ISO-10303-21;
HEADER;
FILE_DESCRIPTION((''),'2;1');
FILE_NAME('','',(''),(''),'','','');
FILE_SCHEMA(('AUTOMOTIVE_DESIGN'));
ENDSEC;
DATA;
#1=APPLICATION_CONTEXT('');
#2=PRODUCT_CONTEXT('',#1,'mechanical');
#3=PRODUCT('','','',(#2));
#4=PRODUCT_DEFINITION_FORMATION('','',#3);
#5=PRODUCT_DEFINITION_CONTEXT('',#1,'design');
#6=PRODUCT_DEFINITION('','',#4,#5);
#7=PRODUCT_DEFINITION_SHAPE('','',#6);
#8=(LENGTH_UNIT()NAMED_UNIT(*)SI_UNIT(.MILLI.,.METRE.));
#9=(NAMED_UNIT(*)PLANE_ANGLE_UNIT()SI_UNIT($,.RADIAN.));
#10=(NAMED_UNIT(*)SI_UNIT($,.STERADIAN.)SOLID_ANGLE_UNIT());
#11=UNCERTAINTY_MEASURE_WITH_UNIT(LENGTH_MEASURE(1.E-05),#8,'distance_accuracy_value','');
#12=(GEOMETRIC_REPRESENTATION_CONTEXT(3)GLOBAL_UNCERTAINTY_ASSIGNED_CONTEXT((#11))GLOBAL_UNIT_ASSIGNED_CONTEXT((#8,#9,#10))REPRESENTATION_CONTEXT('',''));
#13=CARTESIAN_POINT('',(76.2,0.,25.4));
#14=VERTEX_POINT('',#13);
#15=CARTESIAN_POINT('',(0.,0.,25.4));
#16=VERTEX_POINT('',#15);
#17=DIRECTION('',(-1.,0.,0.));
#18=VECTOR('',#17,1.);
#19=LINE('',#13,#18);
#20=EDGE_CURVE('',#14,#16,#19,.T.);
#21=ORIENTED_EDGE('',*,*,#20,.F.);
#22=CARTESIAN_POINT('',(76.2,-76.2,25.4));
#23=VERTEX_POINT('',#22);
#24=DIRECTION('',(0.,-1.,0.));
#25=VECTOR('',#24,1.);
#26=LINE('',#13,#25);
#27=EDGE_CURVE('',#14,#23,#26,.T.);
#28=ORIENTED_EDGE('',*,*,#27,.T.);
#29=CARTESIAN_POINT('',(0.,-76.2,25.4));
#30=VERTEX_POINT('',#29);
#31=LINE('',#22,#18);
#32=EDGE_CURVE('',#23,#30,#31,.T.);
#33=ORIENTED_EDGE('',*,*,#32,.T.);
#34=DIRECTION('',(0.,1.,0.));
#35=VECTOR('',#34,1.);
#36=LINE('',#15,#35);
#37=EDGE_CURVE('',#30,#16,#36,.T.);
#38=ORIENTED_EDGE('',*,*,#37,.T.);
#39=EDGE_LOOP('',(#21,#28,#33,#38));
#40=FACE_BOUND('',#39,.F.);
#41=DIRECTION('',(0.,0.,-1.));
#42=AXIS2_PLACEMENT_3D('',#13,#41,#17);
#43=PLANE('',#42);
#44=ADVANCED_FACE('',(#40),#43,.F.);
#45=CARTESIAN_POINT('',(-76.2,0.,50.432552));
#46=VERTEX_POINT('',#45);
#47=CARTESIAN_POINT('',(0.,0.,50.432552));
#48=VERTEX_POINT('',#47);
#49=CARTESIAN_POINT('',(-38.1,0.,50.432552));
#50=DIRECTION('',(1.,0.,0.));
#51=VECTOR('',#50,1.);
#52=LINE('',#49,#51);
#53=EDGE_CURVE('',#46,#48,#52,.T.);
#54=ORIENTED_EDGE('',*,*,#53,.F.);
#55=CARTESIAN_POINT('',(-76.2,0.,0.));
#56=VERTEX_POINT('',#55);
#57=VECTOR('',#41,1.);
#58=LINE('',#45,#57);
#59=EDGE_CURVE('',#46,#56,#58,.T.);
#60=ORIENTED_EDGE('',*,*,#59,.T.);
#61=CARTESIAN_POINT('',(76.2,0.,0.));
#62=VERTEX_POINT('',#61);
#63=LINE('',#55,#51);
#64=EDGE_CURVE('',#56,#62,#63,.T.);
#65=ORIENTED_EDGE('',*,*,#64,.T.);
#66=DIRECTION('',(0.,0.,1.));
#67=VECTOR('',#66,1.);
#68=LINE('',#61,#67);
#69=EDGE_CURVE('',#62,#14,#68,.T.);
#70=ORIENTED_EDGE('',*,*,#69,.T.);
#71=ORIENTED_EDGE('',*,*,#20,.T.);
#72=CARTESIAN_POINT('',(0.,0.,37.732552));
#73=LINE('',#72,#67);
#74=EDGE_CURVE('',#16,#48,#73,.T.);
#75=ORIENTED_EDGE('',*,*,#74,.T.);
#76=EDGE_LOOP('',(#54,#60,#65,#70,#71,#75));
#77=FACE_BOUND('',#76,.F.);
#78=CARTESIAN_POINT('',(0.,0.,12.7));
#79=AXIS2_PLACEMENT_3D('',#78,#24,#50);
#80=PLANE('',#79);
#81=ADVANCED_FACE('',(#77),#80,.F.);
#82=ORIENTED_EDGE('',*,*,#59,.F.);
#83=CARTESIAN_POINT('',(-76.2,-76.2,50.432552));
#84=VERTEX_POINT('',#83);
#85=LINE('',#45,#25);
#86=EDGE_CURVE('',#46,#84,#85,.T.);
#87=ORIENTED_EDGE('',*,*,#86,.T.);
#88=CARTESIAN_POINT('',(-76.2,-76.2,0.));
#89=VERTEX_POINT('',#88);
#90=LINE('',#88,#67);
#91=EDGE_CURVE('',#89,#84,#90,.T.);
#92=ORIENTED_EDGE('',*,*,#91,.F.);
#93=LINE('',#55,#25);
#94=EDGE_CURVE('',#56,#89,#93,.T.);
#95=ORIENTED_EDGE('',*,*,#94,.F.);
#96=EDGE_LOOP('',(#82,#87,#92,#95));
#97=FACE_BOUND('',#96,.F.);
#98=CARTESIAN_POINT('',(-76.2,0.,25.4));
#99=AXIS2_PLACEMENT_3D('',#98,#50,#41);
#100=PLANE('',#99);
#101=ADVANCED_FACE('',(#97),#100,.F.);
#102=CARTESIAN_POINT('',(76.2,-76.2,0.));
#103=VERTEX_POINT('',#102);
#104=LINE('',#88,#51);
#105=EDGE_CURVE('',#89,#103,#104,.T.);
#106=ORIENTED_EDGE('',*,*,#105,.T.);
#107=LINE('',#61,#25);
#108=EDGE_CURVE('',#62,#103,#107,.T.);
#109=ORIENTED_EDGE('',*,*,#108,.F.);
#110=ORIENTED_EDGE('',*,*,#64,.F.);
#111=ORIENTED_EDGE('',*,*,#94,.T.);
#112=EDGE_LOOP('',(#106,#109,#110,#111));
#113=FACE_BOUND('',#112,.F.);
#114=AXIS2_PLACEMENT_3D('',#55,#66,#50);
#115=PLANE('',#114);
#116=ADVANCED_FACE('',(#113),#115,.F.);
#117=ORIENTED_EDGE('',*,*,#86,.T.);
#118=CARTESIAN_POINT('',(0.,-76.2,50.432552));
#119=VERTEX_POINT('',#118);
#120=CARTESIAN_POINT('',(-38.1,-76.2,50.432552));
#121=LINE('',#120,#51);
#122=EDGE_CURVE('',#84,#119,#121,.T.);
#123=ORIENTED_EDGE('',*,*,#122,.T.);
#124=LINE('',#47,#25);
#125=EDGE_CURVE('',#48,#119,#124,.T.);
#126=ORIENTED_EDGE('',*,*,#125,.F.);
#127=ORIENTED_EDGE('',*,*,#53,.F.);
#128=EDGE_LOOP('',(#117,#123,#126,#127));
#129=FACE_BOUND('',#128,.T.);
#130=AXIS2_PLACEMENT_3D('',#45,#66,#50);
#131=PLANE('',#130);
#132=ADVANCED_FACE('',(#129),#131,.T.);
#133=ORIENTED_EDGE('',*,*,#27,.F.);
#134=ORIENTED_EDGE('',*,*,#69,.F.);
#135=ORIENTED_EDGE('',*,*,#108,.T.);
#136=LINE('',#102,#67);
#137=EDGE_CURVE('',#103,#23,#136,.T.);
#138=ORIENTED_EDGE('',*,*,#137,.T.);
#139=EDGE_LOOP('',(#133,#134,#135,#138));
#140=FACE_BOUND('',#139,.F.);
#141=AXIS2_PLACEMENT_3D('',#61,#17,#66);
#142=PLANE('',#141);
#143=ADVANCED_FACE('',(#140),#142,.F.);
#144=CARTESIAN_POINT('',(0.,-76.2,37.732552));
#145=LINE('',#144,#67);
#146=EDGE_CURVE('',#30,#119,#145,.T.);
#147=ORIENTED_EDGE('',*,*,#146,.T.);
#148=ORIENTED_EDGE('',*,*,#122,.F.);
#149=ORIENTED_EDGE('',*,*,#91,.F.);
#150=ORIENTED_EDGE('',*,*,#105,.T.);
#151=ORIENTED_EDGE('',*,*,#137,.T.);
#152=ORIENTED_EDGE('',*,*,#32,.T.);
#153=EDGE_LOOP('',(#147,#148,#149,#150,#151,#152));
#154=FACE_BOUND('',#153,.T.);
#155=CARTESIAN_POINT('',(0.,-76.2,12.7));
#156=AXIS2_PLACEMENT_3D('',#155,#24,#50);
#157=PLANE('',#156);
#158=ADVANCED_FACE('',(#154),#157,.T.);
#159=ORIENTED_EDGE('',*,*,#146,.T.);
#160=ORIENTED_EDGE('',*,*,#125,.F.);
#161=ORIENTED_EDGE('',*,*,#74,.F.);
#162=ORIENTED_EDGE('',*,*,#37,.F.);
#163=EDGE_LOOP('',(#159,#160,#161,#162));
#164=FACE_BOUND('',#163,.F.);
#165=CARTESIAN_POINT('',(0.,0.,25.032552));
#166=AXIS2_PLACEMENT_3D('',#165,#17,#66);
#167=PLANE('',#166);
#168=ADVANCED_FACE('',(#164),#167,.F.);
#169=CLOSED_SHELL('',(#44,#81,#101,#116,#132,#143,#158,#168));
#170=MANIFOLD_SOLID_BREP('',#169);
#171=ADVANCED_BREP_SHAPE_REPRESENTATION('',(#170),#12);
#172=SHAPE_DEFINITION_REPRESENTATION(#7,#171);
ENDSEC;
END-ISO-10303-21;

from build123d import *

# Parameters (mm, degrees)
F1_DEPTH = 76.2
F2_W     = 76.2
F2_H     = 25.4
F3_DEPTH = 76.2


with BuildPart() as f1:
    # F0 (on Front) → F1 (new body)
    with BuildSketch(Plane.XZ):
        Polygon((-76.2, 25.4), (-76.2, 0), (76.2, 0), (76.2, 25.4), (0, 25.4), align=None)
    extrude(amount=F1_DEPTH)

    # F2 (on Front) → F3 (join)
    with BuildSketch(Plane.XZ):
        with Locations((-38.1, 37.732552)):
            Rectangle(F2_W, F2_H)
    extrude(amount=F3_DEPTH)


solid = f1.part
